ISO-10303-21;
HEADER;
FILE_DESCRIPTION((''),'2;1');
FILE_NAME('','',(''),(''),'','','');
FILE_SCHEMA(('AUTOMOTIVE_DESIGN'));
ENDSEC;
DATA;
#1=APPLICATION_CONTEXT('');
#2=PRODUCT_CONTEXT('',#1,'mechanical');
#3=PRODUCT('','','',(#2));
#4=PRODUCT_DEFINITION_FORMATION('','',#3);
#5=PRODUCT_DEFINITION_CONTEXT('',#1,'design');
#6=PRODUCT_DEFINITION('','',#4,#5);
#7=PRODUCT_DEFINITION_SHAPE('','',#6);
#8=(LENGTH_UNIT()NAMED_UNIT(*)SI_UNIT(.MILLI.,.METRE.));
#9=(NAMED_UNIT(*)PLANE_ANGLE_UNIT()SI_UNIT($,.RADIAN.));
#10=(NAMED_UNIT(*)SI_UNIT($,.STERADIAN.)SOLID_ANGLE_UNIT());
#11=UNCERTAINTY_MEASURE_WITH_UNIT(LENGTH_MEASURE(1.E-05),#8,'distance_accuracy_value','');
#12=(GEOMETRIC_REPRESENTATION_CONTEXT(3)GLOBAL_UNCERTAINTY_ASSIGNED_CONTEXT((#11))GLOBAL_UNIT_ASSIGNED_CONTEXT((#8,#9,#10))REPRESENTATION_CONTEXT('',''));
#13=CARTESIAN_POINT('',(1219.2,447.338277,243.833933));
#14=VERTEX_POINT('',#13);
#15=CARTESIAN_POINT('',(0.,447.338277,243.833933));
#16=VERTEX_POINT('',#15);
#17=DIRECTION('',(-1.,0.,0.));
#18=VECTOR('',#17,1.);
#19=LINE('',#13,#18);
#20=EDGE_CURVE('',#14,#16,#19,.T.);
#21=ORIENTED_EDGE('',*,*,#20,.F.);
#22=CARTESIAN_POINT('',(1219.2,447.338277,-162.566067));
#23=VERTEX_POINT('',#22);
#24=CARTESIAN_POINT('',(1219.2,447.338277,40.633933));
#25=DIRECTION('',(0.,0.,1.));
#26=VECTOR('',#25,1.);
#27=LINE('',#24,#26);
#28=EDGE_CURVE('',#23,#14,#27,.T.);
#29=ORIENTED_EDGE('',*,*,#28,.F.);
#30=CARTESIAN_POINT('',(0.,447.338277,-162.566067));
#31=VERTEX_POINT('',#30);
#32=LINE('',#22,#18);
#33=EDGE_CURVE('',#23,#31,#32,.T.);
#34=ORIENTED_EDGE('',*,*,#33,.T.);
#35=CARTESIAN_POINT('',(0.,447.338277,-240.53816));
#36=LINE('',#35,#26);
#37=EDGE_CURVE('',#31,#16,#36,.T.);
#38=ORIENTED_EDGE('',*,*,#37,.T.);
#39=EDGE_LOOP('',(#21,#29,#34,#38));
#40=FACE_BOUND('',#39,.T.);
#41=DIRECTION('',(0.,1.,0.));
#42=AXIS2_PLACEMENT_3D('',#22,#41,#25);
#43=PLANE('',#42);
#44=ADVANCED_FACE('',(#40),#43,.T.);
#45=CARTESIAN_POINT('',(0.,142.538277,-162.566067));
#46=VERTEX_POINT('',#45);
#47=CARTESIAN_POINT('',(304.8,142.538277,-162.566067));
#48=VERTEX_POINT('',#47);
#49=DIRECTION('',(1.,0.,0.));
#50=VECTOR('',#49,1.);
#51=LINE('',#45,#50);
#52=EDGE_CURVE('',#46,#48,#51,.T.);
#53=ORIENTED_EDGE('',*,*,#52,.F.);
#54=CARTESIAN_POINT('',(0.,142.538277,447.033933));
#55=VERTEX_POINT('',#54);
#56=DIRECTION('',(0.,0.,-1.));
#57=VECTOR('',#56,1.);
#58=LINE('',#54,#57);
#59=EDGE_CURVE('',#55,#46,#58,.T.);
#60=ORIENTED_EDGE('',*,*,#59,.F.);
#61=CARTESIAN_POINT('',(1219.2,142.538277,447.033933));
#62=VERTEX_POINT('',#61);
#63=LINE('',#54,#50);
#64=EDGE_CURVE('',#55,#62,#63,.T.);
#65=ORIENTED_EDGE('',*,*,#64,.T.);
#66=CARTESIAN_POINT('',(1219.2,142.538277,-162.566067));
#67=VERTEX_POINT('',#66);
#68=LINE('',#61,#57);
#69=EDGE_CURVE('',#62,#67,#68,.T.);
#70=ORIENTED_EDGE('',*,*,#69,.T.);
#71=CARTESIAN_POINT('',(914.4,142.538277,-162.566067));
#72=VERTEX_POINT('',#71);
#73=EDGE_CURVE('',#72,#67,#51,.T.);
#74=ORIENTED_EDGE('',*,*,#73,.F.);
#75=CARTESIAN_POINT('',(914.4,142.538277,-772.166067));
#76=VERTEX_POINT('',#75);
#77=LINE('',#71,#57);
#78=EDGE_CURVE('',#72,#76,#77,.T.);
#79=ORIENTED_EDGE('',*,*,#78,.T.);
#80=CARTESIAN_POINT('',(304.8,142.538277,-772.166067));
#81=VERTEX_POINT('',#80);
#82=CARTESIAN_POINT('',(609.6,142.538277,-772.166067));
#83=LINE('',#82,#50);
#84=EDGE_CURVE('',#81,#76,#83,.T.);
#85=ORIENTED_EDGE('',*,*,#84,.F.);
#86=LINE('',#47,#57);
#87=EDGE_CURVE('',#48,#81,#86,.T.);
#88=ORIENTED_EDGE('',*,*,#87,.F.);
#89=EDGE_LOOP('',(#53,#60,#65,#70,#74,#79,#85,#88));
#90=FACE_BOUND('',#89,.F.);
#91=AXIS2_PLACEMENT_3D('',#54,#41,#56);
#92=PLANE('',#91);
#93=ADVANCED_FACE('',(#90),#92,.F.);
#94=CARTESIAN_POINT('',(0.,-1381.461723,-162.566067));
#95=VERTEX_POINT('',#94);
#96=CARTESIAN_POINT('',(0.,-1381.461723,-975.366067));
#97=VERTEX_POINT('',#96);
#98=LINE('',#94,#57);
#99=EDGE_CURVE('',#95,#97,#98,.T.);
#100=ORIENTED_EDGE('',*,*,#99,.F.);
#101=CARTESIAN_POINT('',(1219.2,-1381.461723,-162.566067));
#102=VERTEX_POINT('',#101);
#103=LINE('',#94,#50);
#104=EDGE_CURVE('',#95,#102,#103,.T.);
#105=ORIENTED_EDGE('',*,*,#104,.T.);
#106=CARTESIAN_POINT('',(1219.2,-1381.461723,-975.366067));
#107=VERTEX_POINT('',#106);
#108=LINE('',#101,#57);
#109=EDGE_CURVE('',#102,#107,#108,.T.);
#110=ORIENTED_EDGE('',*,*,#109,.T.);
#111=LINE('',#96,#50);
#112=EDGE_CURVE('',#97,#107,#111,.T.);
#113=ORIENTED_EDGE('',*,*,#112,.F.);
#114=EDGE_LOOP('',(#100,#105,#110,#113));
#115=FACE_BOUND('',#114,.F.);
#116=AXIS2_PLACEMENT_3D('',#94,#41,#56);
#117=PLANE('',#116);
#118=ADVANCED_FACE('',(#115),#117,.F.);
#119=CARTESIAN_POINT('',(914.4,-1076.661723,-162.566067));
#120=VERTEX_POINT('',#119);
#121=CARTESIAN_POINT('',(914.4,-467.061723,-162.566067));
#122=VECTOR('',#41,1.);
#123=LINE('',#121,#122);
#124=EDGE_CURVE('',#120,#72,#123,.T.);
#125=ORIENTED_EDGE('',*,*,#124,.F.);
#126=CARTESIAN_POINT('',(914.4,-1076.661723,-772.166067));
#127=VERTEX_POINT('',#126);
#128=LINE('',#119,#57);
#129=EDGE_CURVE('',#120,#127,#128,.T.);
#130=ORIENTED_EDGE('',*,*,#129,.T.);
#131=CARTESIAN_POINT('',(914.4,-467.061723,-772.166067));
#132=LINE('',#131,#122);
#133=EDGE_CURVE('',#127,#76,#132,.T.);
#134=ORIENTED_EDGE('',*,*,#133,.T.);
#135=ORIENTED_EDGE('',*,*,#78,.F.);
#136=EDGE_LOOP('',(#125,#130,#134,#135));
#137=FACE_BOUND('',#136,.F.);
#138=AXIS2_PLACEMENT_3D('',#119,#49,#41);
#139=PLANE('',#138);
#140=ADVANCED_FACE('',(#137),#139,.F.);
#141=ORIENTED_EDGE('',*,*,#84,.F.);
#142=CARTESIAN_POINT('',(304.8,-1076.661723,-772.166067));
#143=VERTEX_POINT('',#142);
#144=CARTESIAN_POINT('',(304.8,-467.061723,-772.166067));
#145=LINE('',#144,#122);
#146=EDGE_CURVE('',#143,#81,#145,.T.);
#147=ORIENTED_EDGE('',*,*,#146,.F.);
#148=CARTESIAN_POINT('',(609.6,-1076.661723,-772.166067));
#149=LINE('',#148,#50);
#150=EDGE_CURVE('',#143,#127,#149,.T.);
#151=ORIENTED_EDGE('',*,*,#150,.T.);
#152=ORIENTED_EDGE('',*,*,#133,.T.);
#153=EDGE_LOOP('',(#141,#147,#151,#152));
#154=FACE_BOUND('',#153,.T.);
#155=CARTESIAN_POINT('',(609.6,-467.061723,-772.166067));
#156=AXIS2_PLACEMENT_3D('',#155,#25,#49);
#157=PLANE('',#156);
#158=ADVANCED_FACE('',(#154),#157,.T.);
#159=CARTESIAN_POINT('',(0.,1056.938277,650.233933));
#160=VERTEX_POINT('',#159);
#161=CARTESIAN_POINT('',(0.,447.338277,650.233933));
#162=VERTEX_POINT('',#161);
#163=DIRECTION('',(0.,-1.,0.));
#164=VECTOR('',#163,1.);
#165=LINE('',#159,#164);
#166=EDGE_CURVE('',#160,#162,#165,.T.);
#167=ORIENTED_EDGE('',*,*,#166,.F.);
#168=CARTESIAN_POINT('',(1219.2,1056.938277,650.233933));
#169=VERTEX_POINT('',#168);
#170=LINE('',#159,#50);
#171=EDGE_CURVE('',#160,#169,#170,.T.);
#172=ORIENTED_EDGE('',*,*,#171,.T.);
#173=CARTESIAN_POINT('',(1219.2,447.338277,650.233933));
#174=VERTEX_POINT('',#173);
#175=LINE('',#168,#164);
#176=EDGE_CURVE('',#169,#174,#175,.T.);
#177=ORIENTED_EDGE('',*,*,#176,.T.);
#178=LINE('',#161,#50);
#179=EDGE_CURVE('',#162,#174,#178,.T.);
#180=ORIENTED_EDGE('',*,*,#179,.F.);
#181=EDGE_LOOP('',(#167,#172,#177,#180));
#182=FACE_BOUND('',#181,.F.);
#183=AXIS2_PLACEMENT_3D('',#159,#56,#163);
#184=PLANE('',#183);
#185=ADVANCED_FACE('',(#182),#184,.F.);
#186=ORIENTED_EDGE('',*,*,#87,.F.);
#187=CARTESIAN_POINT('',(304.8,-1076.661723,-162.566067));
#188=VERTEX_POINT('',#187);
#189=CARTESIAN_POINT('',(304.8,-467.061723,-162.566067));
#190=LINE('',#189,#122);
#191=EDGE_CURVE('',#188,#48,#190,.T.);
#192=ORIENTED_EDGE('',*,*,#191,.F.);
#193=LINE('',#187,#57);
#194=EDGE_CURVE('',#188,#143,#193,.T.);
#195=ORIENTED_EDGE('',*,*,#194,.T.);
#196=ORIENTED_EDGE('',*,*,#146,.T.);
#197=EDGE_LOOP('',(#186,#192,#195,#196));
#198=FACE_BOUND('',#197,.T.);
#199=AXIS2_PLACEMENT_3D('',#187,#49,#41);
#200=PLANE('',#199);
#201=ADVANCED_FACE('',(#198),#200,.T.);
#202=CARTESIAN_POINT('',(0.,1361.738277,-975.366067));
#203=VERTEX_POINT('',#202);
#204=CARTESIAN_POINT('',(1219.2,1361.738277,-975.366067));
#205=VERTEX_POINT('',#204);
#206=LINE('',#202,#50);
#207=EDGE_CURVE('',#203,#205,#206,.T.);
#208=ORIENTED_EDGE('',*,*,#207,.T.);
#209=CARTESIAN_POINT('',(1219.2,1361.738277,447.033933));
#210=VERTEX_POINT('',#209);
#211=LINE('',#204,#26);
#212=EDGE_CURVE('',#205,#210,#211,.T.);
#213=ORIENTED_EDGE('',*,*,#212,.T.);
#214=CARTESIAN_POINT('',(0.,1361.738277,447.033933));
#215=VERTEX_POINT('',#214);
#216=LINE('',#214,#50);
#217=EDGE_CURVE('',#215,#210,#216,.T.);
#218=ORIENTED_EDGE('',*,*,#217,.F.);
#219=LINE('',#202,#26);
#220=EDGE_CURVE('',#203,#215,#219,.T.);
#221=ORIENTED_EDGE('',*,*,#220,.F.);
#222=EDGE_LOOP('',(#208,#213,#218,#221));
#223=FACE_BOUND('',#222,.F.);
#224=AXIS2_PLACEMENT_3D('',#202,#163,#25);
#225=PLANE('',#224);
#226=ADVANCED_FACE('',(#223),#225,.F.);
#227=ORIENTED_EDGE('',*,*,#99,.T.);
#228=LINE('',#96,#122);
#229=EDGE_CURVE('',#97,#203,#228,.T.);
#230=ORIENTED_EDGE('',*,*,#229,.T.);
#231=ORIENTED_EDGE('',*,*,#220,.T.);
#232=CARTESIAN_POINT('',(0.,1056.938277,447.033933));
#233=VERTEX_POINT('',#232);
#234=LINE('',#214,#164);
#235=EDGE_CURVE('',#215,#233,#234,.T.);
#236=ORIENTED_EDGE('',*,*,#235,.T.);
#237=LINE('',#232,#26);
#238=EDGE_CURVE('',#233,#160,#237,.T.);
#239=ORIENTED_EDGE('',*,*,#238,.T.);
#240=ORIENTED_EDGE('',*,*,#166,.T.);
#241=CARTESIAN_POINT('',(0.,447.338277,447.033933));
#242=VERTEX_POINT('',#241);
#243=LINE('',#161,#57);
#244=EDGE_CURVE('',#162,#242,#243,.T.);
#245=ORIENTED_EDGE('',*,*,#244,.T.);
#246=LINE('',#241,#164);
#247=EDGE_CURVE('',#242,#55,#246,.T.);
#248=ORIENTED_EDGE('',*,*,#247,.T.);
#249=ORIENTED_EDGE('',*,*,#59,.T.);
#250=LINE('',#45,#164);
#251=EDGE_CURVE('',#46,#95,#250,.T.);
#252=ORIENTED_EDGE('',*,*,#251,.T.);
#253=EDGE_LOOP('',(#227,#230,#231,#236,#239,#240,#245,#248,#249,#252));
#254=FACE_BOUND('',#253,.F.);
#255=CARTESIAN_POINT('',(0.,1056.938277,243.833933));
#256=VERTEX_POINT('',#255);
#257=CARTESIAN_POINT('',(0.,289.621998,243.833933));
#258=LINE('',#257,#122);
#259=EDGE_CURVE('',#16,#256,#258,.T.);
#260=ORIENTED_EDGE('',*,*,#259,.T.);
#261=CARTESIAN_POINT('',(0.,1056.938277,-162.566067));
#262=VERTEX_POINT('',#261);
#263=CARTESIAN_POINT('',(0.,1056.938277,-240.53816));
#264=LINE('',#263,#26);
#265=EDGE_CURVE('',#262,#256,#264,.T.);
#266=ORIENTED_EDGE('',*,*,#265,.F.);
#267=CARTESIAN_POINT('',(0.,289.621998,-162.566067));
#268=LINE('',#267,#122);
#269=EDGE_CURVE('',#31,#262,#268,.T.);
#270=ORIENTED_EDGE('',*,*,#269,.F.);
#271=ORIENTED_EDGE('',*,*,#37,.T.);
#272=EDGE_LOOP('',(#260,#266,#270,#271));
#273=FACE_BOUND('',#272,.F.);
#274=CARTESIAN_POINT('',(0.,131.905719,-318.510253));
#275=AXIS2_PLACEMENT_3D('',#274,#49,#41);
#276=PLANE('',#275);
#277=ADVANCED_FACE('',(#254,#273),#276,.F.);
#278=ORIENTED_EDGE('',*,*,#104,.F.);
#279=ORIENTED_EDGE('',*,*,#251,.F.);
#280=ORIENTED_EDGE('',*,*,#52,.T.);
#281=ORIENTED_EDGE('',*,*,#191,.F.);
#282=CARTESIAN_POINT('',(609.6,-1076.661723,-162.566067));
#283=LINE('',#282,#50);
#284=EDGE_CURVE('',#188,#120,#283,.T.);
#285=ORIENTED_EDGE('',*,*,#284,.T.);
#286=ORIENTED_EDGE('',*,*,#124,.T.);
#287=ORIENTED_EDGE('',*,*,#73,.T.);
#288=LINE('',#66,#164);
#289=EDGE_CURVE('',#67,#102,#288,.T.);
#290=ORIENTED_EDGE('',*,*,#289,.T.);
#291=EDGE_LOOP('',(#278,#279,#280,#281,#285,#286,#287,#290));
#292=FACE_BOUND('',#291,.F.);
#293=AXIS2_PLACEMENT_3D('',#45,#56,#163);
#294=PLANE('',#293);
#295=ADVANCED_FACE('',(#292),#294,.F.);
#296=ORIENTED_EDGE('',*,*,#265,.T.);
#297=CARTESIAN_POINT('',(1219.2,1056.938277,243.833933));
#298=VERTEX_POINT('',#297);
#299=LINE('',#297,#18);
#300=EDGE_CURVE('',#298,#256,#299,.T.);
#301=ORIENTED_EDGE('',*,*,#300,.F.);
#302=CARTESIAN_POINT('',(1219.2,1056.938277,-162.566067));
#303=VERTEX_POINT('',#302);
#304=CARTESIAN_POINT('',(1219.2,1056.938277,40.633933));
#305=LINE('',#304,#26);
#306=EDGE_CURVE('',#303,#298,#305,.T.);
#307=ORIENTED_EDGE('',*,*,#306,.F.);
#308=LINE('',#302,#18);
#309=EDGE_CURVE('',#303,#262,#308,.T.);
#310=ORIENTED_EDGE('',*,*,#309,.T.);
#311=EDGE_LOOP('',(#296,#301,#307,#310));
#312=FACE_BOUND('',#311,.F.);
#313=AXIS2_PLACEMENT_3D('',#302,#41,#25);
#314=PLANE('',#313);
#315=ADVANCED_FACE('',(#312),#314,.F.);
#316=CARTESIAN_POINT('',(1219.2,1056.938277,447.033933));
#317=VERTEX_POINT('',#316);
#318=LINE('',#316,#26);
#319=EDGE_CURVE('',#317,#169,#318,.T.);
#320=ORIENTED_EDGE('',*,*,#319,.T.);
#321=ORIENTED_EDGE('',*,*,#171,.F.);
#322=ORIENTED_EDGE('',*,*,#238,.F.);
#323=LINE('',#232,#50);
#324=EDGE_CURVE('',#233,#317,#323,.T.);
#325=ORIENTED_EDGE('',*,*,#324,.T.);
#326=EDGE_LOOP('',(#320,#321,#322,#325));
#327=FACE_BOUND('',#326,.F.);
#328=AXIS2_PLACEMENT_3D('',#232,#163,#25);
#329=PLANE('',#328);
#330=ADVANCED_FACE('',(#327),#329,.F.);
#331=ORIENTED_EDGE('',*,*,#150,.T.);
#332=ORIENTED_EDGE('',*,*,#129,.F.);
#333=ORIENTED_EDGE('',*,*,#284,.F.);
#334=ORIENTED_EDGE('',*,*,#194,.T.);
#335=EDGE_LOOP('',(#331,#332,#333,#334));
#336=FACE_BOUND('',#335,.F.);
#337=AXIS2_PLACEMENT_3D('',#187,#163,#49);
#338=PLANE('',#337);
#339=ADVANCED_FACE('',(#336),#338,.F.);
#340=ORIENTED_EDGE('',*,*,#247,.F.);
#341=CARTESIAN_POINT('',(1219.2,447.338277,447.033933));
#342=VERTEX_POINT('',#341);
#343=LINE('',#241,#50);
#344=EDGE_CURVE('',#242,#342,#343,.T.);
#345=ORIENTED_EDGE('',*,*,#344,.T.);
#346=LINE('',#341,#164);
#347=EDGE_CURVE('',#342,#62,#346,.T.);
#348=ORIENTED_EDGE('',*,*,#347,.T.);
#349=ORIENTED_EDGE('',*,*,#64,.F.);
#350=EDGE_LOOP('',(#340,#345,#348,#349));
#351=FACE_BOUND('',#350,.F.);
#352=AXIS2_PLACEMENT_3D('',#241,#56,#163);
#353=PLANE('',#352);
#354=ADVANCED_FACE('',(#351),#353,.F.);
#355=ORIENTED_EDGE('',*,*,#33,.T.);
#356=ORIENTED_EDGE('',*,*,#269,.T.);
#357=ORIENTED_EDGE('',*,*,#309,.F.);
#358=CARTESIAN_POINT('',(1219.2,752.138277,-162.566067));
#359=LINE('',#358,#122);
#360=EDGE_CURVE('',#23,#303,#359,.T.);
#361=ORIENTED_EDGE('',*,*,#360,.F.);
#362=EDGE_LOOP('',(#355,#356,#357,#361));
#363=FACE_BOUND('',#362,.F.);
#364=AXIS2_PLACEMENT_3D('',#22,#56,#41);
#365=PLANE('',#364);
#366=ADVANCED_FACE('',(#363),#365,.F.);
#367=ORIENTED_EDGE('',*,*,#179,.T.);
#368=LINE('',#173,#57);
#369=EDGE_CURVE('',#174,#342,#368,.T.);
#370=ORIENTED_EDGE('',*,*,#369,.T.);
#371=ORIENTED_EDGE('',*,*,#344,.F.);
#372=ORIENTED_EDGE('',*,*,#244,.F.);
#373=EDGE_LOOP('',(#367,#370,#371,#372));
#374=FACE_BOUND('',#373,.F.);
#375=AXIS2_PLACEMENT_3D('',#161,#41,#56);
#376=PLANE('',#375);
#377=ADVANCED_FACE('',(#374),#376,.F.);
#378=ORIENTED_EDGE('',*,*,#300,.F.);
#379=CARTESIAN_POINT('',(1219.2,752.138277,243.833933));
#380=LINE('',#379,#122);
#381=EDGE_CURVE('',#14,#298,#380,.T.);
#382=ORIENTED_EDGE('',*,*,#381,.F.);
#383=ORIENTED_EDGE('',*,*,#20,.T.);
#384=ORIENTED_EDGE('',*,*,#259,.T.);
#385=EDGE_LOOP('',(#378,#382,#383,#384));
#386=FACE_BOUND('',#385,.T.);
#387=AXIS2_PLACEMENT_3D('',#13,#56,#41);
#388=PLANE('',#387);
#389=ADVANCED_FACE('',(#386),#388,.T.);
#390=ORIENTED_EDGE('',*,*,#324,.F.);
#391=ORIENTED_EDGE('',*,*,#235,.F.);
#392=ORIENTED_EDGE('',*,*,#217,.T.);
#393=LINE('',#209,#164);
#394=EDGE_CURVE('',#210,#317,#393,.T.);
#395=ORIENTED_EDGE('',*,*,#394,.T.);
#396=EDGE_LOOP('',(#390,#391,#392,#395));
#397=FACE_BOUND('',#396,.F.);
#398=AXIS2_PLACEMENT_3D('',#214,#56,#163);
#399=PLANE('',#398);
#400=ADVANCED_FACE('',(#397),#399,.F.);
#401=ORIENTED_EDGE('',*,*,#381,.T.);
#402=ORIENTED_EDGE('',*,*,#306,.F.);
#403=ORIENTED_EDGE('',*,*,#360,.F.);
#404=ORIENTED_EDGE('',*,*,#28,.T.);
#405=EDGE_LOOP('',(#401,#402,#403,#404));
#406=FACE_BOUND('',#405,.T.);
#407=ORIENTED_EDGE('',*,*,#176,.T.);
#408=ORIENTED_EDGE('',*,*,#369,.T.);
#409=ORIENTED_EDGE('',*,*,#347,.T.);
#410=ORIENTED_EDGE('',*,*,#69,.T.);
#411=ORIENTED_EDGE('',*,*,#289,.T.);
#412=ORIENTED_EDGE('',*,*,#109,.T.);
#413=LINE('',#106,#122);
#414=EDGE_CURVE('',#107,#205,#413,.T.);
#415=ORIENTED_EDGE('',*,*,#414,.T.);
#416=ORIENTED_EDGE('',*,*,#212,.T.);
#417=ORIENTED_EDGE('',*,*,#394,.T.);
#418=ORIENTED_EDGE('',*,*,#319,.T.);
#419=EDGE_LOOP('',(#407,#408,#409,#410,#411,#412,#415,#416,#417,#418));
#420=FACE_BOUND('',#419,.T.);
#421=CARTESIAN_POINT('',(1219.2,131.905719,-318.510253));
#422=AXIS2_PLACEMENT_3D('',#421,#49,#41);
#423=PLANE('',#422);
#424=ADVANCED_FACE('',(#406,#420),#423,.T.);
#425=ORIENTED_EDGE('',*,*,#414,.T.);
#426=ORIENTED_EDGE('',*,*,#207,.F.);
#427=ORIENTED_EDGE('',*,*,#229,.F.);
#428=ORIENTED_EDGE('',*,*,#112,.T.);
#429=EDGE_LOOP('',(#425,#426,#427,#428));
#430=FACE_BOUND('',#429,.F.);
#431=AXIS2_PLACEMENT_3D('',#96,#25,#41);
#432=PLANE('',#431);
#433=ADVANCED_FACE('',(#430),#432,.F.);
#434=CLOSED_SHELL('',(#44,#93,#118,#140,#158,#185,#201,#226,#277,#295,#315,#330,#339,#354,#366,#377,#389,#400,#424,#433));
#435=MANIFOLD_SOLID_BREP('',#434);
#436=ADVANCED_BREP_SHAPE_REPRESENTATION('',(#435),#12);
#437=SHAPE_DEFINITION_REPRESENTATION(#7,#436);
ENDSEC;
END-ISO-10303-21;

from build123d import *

# Parameters (mm, degrees)
F1_DEPTH = 1219.2
F2_W     = 609.6
F2_H     = 1219.2
F3_DEPTH = 609.6
F4_W     = 609.6
F4_H     = 406.4
F5_DEPTH = 1219.201


with BuildPart() as f1:
    # F0 (on Right) → F1 (new body)
    with BuildSketch(Plane.YZ):
        Polygon((-1381.461723, -162.566067), (-1381.461723, -975.366067), (1361.738277, -975.366067), (1361.738277, 447.033933), (1056.938277, 447.033933), (1056.938277, 650.233933), (447.338277, 650.233933), (447.338277, 447.033933), (142.538277, 447.033933), (142.538277, -162.566067), align=None)
    extrude(amount=F1_DEPTH)

    # F2 (on face) → F3 (cut)
    with BuildSketch(Plane.XY.offset(-162.566067)):
        with Locations((609.6, -467.061723)):
            Rectangle(F2_W, F2_H)
    extrude(amount=-F3_DEPTH, mode=Mode.SUBTRACT)

    # F4 (on face) → F5 (cut, through all)
    with BuildSketch(Plane.YZ.offset(1219.2)):
        with Locations((752.138277, 40.633933)):
            Rectangle(F4_W, F4_H)
    extrude(amount=-F5_DEPTH, mode=Mode.SUBTRACT)


solid = f1.part
